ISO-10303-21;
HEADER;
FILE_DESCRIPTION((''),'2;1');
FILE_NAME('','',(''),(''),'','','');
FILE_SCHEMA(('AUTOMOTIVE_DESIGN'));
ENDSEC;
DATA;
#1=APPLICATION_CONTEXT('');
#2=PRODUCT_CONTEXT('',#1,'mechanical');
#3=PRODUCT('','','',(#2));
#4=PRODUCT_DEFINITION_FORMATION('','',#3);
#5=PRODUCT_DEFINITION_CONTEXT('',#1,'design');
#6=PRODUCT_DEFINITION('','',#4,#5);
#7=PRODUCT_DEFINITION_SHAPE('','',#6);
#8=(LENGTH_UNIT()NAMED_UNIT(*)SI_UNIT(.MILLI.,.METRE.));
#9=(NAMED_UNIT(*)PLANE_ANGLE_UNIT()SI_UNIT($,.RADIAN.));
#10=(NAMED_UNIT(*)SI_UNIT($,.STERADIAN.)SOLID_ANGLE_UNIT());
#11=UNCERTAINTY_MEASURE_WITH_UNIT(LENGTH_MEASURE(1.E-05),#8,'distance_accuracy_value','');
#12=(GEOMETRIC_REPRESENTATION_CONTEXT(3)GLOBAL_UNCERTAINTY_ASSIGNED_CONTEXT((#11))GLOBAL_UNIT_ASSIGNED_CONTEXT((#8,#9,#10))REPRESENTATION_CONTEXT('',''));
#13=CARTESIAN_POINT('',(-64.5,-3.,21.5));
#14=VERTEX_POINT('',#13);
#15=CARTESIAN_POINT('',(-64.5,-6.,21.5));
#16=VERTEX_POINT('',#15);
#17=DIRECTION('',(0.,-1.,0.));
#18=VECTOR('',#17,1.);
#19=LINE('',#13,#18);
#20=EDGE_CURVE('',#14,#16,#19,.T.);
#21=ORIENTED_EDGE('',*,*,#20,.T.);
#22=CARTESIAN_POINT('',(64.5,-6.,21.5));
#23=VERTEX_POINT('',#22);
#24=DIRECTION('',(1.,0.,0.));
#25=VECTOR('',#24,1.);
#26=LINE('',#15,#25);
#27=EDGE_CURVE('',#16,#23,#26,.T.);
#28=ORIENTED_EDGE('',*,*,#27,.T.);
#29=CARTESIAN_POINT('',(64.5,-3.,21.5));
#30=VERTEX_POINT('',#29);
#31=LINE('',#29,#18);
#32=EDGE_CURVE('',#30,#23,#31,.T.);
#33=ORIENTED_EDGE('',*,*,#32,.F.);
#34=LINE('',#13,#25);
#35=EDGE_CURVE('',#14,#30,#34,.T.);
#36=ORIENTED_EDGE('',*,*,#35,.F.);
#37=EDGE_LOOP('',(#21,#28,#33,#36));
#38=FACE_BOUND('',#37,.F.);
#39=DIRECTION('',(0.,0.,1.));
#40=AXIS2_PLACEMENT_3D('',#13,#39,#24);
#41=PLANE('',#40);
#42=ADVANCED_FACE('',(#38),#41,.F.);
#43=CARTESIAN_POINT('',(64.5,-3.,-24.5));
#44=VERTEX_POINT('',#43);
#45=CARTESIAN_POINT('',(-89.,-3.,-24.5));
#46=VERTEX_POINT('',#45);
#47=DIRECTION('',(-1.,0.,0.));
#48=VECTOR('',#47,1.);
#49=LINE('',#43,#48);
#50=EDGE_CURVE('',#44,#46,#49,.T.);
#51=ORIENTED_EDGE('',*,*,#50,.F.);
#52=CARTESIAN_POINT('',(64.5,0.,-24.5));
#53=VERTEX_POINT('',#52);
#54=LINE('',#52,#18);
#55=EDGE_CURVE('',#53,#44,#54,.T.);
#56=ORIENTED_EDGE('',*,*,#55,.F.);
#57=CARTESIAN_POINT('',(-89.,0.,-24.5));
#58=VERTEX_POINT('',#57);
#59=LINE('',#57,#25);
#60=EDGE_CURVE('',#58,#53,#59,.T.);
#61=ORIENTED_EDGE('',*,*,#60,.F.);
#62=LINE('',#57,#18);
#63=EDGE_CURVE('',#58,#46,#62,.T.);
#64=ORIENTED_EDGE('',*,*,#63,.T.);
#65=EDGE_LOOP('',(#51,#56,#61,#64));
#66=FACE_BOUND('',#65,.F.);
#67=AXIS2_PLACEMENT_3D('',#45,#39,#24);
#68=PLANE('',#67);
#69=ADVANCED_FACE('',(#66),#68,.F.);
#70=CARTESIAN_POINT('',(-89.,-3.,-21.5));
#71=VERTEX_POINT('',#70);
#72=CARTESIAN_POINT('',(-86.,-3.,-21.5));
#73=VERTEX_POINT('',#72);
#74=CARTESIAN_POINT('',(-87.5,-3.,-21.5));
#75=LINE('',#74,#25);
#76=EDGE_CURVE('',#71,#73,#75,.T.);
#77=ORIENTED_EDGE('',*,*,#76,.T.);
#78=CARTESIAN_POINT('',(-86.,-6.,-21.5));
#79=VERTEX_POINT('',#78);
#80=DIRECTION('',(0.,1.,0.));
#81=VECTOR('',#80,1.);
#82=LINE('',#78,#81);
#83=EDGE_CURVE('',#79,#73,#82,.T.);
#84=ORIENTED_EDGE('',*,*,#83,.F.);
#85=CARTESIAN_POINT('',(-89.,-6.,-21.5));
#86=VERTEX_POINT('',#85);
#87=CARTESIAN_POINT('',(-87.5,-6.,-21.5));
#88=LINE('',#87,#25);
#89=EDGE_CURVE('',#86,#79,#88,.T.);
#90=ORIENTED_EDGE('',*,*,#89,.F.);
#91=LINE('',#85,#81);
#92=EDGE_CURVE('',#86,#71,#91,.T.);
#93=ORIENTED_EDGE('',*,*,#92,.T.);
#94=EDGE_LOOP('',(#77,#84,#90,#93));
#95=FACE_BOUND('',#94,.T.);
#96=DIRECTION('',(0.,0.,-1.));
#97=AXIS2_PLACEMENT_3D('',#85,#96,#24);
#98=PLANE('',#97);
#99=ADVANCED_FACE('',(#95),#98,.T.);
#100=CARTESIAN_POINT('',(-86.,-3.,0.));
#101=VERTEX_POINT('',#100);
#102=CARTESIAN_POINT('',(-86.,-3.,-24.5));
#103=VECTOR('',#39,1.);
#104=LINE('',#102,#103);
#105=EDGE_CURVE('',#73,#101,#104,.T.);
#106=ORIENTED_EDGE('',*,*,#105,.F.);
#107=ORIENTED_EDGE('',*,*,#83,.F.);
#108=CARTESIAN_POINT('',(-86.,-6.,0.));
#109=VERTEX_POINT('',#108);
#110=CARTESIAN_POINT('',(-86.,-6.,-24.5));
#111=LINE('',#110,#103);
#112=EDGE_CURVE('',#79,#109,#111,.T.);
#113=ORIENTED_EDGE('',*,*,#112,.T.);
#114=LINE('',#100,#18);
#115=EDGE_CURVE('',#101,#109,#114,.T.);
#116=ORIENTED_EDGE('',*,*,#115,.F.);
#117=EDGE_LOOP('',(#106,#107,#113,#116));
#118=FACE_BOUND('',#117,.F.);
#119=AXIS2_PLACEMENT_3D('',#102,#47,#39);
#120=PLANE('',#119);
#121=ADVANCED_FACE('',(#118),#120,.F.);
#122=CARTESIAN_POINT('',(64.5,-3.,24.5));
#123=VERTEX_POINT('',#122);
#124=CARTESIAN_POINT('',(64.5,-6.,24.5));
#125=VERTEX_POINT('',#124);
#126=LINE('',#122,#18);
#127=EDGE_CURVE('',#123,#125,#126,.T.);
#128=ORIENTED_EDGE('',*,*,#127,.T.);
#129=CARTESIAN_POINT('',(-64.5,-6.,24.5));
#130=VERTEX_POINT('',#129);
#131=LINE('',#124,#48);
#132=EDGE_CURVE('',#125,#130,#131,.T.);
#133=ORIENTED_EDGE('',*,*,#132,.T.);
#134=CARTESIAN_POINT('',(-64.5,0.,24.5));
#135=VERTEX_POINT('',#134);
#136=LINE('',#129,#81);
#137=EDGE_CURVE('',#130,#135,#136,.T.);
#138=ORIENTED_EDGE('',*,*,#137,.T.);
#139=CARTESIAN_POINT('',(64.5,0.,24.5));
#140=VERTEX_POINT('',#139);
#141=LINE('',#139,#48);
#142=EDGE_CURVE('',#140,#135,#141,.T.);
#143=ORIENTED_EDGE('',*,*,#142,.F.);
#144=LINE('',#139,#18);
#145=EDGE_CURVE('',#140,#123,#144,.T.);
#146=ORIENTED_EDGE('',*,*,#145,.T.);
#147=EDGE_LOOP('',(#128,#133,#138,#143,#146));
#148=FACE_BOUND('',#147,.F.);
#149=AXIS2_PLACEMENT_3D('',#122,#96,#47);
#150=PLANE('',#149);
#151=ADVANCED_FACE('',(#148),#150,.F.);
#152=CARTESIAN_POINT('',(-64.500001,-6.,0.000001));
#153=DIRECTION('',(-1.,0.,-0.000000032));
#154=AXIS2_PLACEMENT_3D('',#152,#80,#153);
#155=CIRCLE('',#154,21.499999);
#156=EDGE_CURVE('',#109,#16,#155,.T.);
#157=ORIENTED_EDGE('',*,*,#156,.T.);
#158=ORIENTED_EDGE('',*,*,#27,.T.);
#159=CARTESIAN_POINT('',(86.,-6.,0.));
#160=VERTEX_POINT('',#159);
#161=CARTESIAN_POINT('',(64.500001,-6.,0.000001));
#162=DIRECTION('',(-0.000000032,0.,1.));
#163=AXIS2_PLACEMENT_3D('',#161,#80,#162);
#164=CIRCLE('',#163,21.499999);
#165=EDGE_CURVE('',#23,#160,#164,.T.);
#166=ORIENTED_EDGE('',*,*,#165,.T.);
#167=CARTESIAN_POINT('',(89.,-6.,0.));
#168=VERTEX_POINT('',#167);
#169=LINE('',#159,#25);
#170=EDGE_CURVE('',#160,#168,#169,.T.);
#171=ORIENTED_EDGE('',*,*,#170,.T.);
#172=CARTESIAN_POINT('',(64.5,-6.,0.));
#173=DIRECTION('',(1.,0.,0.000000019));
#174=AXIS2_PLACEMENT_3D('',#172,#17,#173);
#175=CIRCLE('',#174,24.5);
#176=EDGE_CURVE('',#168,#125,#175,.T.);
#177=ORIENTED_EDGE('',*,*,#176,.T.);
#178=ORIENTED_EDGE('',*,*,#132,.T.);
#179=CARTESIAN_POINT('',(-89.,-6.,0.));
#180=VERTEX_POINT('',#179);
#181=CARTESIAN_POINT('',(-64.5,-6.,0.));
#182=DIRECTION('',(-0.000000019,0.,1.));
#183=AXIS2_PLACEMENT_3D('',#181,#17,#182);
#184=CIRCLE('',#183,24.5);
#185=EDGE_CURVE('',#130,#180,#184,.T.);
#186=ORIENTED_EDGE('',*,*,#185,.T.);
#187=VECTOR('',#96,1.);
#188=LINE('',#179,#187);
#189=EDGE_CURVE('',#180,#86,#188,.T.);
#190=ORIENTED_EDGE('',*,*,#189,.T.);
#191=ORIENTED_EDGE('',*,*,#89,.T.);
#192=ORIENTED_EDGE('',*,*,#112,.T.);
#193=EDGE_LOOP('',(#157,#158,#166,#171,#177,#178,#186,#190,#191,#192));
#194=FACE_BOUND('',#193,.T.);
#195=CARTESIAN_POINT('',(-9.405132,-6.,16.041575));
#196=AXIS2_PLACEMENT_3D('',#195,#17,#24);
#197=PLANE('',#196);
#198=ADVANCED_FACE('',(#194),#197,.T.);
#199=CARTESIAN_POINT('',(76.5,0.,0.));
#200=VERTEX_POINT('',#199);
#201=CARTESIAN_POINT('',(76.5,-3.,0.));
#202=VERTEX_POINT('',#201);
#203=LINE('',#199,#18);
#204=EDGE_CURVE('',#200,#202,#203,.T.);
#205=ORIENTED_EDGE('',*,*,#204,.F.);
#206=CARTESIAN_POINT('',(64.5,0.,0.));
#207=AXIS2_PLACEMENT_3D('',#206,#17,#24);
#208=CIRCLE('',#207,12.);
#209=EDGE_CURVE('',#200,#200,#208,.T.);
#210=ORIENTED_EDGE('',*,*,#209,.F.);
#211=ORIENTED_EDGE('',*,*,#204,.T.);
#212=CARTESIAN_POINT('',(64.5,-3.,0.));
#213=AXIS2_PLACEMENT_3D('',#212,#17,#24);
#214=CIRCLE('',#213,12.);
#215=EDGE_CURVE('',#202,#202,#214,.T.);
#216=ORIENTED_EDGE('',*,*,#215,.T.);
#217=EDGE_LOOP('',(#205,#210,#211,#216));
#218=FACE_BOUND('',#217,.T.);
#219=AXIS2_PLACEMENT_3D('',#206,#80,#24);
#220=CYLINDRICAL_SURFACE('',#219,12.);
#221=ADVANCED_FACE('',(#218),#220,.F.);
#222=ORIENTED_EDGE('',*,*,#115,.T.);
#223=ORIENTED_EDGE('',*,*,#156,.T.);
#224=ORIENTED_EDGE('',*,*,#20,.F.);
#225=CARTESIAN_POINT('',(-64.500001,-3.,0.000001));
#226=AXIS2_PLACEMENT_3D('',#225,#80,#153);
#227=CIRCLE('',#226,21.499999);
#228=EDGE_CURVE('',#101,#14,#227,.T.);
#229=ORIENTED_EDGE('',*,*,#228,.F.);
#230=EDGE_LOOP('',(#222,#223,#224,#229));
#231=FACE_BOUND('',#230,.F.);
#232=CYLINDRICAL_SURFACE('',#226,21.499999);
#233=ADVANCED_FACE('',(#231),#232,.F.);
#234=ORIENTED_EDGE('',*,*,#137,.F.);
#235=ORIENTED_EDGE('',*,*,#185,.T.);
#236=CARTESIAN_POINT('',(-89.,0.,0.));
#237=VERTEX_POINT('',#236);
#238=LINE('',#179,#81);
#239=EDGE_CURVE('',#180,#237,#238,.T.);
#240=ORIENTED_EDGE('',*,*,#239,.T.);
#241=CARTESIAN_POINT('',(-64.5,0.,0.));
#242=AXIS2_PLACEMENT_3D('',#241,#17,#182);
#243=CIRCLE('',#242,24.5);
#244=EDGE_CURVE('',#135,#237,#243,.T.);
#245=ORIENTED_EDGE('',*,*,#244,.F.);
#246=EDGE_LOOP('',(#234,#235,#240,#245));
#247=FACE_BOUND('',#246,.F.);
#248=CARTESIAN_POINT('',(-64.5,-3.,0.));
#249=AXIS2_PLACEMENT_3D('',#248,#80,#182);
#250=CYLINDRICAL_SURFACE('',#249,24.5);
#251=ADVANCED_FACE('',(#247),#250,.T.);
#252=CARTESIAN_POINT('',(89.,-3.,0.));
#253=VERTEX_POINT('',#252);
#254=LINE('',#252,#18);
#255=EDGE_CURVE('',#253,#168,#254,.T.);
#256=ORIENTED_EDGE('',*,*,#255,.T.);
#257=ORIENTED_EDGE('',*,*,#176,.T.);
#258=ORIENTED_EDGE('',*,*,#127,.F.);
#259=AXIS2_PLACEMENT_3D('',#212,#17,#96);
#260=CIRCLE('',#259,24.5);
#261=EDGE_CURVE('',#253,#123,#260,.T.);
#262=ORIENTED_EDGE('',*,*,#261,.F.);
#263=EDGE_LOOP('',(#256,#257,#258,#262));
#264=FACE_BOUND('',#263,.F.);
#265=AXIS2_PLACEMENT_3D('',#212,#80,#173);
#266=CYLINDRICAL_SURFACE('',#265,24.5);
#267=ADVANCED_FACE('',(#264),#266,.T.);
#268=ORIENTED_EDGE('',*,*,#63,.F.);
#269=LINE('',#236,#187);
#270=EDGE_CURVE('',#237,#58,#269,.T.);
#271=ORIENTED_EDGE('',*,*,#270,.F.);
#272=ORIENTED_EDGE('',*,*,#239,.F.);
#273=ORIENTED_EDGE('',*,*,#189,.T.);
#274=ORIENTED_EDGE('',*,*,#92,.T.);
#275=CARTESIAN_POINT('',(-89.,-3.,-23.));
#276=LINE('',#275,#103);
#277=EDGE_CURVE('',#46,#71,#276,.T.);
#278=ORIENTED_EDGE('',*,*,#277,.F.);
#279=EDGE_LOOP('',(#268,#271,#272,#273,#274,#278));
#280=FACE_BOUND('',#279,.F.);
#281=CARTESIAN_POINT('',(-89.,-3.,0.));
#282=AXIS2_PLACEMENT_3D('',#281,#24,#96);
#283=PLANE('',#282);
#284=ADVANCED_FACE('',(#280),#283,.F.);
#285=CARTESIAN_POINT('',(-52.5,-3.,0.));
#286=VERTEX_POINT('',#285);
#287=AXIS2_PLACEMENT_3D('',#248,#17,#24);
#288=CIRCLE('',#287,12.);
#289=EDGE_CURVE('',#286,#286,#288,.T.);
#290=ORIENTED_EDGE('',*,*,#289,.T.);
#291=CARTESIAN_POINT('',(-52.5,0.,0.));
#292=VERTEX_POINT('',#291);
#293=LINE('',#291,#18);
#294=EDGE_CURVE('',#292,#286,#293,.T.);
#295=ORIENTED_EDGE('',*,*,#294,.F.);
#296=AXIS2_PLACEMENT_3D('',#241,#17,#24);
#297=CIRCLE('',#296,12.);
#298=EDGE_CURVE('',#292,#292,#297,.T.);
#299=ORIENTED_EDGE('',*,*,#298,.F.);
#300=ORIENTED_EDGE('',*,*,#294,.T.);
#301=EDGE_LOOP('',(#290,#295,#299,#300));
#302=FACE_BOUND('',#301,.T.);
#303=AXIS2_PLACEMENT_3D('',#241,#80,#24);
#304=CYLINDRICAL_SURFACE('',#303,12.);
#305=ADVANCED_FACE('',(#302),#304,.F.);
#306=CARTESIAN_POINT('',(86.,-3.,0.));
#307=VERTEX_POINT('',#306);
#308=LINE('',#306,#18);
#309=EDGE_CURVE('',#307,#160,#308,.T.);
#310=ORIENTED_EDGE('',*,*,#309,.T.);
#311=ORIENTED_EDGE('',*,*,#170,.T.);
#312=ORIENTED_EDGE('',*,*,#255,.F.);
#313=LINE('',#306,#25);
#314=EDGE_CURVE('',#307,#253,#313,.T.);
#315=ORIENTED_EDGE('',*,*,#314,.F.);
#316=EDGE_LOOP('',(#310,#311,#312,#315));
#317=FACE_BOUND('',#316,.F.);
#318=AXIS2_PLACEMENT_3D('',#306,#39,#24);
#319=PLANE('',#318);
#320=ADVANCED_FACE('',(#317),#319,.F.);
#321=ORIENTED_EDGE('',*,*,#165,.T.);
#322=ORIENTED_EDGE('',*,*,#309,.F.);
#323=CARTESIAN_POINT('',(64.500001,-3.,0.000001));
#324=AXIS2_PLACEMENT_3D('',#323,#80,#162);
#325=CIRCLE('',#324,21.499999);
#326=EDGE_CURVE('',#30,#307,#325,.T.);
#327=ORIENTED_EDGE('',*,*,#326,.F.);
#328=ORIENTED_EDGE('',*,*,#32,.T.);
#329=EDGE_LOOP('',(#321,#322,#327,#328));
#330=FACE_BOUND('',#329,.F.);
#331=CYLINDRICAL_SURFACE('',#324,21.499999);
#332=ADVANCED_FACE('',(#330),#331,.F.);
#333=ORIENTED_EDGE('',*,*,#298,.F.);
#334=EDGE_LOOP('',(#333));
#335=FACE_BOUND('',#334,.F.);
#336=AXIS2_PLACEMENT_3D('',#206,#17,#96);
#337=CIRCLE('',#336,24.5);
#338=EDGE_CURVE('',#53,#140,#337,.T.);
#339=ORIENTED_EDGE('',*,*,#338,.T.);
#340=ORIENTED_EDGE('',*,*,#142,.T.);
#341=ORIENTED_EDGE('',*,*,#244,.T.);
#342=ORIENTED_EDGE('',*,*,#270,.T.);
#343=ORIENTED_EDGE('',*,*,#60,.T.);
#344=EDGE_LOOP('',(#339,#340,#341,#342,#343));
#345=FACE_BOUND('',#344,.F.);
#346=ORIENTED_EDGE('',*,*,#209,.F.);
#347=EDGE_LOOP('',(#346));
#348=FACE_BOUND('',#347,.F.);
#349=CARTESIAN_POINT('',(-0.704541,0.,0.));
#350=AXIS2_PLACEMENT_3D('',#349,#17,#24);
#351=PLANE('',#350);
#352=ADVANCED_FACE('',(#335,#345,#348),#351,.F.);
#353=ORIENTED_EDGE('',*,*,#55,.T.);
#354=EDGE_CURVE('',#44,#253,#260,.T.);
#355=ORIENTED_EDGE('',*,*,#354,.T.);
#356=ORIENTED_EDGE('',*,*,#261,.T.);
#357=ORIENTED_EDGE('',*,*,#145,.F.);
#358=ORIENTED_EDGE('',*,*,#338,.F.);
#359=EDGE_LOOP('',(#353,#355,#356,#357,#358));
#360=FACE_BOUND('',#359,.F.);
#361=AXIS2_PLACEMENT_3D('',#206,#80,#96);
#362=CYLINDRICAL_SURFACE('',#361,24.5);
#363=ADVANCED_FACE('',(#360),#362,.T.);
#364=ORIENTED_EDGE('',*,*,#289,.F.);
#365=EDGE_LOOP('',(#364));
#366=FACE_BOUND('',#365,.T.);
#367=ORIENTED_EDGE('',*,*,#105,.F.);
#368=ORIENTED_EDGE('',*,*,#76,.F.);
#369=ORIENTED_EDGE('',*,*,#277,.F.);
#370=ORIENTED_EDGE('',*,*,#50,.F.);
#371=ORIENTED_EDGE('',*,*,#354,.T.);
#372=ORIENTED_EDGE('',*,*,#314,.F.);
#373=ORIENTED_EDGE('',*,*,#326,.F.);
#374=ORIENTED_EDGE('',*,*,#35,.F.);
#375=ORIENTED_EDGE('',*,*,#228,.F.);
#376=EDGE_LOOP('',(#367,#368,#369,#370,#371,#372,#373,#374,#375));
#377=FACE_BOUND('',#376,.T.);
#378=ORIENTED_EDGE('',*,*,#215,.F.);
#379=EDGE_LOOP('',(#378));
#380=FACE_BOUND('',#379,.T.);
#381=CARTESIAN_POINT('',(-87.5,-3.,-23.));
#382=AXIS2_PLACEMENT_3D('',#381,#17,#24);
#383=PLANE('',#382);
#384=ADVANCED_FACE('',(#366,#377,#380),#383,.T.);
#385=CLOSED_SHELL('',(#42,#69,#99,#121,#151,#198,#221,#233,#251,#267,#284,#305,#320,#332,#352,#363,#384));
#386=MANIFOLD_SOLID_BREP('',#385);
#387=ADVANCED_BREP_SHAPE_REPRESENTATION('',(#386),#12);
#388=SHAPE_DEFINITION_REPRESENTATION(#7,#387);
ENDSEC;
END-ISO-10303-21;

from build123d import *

# Parameters (mm, degrees)
F0_R     = 12
F1_DEPTH = 3
F3_DEPTH = 3
F4_W     = 3
F4_H     = 3
F5_DEPTH = 3


with BuildPart() as f1:
    # F0 (on Front) → F1 (new body)
    with BuildSketch(Plane.XZ):
        with BuildLine():
            ThreePointArc((64.5, -24.5), (89, 0), (64.5, 24.5))
            Line((64.5, 24.5), (-64.5, 24.5))
            ThreePointArc((-64.5, 24.5), (-81.824116, 17.324116), (-89, 0))
            ThreePointArc((-89, 0), (-81.824116, -17.324116), (-64.5, -24.5))
            Line((-64.5, -24.5), (64.5, -24.5))
        make_face()
        with Locations((-64.5, 0)):
            Circle(F0_R, mode=Mode.SUBTRACT)
        with Locations((64.5, 0)):
            Circle(F0_R, mode=Mode.SUBTRACT)
        with BuildLine():
            ThreePointArc((-64.5, -24.5), (-81.824116, -17.324116), (-89, 0))
            Line((-89, 0), (-89, -24.5))
            Line((-89, -24.5), (-64.5, -24.5))
        make_face()
    extrude(amount=F1_DEPTH)

    # F2 (on face) → F3 (join)
    with BuildSketch(Plane.XZ.offset(3)):
        with BuildLine():
            Line((-89, 0), (-89, -24.5))
            Line((-89, -24.5), (-86, -24.5))
            Line((-86, -24.5), (-86, 0))
            ThreePointArc((-86, 0), (-79.702796, 15.202796), (-64.5, 21.5))
            Line((-64.5, 21.5), (64.5, 21.5))
            ThreePointArc((64.5, 21.5), (79.702796, 15.202796), (86, 0))
            Line((86, 0), (89, 0))
            ThreePointArc((89, 0), (81.824116, 17.324116), (64.5, 24.5))
            Line((64.5, 24.5), (-64.5, 24.5))
            ThreePointArc((-64.5, 24.5), (-81.824116, 17.324116), (-89, 0))
        make_face()
    extrude(amount=F3_DEPTH)

    # F4 (on face) → F5 (cut)
    with BuildSketch(Plane.XZ.offset(6)):
        with Locations((-87.5, -23)):
            Rectangle(F4_W, F4_H)
    extrude(amount=-F5_DEPTH, mode=Mode.SUBTRACT)


solid = f1.part
